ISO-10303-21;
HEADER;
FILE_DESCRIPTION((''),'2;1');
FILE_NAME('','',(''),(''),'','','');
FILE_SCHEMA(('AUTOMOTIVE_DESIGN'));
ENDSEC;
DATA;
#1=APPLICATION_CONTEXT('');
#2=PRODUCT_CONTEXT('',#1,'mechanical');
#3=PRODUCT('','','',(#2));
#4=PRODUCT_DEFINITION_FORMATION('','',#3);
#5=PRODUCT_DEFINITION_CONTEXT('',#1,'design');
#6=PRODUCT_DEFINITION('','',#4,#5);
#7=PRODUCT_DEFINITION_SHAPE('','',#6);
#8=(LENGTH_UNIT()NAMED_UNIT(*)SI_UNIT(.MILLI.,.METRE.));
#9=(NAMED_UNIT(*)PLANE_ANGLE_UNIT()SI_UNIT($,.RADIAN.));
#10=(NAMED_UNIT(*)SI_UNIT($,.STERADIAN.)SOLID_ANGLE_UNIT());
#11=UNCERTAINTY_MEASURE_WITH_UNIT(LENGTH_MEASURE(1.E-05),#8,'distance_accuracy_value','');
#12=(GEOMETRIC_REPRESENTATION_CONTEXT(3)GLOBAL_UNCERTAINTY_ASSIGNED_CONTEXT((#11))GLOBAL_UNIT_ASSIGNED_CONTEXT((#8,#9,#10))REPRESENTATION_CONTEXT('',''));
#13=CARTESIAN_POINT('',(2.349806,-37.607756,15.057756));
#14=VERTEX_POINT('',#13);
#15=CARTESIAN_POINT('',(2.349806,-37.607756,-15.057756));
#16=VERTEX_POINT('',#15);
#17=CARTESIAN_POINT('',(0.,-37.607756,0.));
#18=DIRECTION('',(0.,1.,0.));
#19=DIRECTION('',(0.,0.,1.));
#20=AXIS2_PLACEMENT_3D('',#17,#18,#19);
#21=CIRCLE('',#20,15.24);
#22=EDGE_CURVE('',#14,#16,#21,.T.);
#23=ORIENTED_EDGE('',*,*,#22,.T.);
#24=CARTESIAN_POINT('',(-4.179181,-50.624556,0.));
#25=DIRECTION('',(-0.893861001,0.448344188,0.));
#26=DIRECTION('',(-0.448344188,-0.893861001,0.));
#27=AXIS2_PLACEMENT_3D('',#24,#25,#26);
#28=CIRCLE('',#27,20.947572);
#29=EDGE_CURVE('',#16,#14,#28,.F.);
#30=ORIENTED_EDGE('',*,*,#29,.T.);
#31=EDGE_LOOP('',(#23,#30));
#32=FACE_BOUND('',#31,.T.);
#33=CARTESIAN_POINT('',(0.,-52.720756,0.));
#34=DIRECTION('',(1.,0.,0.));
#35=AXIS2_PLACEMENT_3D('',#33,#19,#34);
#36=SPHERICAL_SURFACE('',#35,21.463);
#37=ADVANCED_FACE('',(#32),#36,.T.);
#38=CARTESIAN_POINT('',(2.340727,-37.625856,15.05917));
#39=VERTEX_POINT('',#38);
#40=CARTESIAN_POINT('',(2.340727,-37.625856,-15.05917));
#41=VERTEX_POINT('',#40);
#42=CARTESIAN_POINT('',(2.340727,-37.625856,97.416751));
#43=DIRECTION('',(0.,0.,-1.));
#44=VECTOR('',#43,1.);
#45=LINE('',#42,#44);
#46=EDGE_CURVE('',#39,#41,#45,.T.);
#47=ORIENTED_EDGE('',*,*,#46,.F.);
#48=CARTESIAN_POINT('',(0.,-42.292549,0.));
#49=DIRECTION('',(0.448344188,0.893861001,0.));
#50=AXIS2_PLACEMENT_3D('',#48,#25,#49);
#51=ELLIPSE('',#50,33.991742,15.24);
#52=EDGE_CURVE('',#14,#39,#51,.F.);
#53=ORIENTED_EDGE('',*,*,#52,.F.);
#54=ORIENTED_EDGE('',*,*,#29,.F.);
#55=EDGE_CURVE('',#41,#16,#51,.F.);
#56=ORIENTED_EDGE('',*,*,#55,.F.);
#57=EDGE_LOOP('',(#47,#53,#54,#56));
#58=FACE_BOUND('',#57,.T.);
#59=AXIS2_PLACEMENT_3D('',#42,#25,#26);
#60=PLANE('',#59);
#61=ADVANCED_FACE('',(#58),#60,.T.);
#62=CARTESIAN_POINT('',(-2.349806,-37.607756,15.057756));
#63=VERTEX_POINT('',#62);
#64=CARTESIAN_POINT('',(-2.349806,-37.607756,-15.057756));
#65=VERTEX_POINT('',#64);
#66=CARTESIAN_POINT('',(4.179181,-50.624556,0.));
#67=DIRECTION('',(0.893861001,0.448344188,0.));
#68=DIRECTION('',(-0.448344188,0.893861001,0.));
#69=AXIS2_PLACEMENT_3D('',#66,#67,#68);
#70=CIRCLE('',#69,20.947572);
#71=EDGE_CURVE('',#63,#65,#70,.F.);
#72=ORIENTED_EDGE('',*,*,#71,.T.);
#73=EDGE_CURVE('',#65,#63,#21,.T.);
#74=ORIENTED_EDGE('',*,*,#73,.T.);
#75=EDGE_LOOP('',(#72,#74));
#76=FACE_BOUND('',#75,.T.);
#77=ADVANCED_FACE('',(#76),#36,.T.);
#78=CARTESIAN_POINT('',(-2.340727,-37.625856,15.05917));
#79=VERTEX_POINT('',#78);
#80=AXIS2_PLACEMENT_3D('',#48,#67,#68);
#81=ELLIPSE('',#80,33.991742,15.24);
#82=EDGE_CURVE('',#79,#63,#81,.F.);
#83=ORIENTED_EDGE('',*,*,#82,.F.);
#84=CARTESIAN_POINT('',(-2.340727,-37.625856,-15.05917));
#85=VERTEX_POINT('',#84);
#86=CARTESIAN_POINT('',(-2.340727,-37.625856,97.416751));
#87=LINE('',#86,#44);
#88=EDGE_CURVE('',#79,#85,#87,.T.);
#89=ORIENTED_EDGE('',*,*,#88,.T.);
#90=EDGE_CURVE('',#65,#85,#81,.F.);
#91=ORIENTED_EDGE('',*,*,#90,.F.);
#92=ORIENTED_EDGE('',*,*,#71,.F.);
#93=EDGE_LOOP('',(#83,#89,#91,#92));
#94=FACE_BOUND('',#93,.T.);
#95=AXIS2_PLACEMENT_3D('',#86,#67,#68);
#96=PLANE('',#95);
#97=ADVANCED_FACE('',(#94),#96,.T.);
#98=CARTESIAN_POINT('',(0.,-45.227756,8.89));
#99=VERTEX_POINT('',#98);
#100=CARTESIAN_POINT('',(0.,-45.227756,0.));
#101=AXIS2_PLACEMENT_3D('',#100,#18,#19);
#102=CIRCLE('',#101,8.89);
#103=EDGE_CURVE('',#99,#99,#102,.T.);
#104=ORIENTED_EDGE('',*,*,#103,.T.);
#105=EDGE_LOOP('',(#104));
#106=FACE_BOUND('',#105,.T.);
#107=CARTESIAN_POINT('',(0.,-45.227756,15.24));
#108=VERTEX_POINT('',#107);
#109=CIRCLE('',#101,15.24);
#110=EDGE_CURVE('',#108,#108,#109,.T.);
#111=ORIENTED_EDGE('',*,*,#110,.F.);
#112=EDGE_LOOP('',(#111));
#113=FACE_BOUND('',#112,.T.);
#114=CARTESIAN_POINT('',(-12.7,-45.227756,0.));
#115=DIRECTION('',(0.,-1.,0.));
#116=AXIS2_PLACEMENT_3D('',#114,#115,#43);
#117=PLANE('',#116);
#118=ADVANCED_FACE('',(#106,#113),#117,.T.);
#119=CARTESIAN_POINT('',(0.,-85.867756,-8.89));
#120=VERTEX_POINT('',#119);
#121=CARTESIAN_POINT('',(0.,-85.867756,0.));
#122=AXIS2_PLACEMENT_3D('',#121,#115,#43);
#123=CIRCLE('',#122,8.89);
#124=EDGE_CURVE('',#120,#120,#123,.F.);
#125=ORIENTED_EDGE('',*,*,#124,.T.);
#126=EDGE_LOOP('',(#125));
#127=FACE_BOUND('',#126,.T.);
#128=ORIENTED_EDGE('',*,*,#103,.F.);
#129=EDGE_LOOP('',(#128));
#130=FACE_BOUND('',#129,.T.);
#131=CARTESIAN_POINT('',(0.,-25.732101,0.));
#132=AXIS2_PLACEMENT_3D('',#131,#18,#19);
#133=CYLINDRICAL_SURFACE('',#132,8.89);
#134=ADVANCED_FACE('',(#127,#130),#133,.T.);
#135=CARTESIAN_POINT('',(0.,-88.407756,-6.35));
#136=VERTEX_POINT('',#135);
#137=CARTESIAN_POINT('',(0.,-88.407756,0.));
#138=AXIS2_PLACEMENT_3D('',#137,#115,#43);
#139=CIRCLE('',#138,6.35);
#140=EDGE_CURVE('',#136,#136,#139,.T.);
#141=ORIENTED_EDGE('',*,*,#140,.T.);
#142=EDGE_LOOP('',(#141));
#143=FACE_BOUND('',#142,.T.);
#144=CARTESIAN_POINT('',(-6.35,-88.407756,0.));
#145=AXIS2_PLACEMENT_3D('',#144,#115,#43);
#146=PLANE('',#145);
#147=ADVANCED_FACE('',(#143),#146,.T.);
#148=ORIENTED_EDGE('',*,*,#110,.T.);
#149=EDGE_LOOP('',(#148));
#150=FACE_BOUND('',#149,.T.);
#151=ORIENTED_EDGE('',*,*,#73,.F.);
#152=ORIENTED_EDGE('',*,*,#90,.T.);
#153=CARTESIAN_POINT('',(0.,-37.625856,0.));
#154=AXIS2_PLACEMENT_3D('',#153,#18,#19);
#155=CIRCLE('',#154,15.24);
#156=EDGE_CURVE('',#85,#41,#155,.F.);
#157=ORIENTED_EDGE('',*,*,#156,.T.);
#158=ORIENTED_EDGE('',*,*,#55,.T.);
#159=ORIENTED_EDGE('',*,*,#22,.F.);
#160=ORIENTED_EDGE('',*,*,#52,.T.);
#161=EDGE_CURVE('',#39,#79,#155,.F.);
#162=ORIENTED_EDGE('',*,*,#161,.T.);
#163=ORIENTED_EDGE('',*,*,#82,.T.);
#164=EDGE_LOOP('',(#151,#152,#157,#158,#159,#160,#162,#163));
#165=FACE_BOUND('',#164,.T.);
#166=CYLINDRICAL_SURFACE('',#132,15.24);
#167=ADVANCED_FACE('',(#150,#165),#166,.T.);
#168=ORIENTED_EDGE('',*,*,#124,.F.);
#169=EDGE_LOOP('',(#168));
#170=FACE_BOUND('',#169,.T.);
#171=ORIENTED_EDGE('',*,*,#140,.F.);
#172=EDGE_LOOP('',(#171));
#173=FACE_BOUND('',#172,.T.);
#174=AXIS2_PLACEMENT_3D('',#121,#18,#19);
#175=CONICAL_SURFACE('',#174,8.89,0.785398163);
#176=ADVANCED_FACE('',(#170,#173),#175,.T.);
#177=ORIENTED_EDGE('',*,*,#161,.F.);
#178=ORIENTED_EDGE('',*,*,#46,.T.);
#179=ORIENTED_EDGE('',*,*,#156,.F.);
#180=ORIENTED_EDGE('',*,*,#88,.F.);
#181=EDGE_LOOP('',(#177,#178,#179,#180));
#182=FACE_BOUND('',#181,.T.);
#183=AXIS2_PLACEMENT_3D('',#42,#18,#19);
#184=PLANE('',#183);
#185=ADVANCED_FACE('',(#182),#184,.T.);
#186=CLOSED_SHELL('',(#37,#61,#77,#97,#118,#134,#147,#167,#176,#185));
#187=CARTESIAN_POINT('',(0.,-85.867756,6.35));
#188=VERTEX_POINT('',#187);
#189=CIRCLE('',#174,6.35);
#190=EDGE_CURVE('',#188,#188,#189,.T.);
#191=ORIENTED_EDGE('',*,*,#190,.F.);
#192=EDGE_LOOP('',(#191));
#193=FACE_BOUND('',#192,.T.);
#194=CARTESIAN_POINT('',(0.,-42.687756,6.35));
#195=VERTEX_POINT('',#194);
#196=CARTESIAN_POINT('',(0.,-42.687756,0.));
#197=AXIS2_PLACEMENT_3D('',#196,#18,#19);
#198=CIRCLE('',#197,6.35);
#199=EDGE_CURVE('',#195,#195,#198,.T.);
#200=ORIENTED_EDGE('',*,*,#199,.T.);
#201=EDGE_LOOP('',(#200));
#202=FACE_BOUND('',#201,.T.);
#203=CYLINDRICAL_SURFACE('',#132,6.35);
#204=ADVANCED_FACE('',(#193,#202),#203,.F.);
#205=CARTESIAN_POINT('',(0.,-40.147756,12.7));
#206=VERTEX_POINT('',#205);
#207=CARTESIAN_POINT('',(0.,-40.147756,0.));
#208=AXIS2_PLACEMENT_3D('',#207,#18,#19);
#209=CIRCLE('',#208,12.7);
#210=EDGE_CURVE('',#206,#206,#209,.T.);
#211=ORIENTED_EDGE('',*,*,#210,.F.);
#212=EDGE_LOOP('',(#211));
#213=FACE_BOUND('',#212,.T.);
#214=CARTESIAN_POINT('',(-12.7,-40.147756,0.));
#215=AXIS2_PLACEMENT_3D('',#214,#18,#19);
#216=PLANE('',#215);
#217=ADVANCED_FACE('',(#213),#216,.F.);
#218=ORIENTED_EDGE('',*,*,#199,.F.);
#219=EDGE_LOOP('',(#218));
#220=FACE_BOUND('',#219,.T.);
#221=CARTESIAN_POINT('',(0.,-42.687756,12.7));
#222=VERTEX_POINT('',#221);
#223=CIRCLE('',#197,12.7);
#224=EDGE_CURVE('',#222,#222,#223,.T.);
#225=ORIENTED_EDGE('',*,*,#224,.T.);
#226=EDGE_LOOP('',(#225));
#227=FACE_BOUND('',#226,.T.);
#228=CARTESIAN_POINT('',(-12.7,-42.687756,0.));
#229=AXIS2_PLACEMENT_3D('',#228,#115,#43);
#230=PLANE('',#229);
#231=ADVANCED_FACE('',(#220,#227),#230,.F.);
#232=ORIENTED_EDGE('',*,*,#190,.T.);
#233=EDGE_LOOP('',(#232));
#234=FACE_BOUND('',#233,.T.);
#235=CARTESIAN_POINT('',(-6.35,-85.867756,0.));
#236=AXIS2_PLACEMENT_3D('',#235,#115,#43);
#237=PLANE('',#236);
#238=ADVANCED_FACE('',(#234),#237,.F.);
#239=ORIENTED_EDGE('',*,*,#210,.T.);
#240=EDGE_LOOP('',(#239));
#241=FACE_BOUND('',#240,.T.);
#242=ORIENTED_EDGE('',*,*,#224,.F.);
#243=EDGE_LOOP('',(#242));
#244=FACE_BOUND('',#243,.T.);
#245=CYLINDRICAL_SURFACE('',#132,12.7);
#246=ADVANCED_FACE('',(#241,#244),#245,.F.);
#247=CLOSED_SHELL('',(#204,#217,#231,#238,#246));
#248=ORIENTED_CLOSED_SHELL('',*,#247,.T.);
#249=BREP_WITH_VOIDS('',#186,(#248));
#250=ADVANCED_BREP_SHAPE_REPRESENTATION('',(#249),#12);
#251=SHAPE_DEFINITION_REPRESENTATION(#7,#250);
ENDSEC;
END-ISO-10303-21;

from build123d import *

# Parameters (mm, degrees)
CHAMFER1_SIZE           = 2.54
DOME1_FACE_RADIUS       = 15.24
DOME1_HEIGHT            = 6.35
CUT_EXTRUDE5_DEPTH      = 16.24
CUT_EXTRUDE5_DEPTH_BACK = 16.24


with BuildPart() as part:
    # Sketch2 → Revolve-Thin2 (revolve)
    with BuildSketch(Plane.XY):
        Polygon((0, -85.867755946), (-6.35, -85.867755946), (-6.35, -42.687755946), (-12.7, -42.687755946), (-12.7, -40.147755946), (0, -40.147755946), (0, -37.607755946), (-15.24, -37.607755946), (-15.24, -45.227755946), (-8.89, -45.227755946), (-8.89, -88.407755946), (0, -88.407755946), align=None)
    revolve(axis=Axis((0, -25.732100586, 0), (0, -1, 0)))

    # Chamfer1
    chamfer1_edges = [part.edges().sort_by_distance(p)[0] for p in [
        (8.89, -88.407755946, 0),
    ]]
    chamfer(chamfer1_edges, length=CHAMFER1_SIZE)

    # Dome1: a dome of height H over a round flat face of radius A is a cap of a sphere of radius (A * A + H * H) / (2 * H)
    dome1_r = (DOME1_FACE_RADIUS * DOME1_FACE_RADIUS + DOME1_HEIGHT * DOME1_HEIGHT) / (2 * DOME1_HEIGHT)
    dome1_base = Plane((0, -37.607755946, 0), z_dir=(0, 1, 0))
    with Locations(dome1_base.offset(DOME1_HEIGHT - dome1_r)):
        dome1_ball = Sphere(dome1_r, mode=Mode.PRIVATE)
    add(split(dome1_ball, bisect_by=dome1_base, keep=Keep.TOP, mode=Mode.PRIVATE))

    # Sketch15 → Cut-Extrude5 (cut, two sides)
    with BuildSketch(Plane.XY) as cut_extrude5_sk:
        Polygon((63.582364053, 84.47121169), (5.21254128, -31.900338505), (2.340727282, -37.625856093), (-2.340727282, -37.625856093), (-5.21254128, -31.900338505), (-63.582364053, 84.47121169), (-63.582364053, 344.850733967), (63.582364053, 344.850733967), align=None)
    extrude(amount=CUT_EXTRUDE5_DEPTH, mode=Mode.SUBTRACT)
    extrude(cut_extrude5_sk.sketch, amount=-CUT_EXTRUDE5_DEPTH_BACK, mode=Mode.SUBTRACT)


solid = part.part
